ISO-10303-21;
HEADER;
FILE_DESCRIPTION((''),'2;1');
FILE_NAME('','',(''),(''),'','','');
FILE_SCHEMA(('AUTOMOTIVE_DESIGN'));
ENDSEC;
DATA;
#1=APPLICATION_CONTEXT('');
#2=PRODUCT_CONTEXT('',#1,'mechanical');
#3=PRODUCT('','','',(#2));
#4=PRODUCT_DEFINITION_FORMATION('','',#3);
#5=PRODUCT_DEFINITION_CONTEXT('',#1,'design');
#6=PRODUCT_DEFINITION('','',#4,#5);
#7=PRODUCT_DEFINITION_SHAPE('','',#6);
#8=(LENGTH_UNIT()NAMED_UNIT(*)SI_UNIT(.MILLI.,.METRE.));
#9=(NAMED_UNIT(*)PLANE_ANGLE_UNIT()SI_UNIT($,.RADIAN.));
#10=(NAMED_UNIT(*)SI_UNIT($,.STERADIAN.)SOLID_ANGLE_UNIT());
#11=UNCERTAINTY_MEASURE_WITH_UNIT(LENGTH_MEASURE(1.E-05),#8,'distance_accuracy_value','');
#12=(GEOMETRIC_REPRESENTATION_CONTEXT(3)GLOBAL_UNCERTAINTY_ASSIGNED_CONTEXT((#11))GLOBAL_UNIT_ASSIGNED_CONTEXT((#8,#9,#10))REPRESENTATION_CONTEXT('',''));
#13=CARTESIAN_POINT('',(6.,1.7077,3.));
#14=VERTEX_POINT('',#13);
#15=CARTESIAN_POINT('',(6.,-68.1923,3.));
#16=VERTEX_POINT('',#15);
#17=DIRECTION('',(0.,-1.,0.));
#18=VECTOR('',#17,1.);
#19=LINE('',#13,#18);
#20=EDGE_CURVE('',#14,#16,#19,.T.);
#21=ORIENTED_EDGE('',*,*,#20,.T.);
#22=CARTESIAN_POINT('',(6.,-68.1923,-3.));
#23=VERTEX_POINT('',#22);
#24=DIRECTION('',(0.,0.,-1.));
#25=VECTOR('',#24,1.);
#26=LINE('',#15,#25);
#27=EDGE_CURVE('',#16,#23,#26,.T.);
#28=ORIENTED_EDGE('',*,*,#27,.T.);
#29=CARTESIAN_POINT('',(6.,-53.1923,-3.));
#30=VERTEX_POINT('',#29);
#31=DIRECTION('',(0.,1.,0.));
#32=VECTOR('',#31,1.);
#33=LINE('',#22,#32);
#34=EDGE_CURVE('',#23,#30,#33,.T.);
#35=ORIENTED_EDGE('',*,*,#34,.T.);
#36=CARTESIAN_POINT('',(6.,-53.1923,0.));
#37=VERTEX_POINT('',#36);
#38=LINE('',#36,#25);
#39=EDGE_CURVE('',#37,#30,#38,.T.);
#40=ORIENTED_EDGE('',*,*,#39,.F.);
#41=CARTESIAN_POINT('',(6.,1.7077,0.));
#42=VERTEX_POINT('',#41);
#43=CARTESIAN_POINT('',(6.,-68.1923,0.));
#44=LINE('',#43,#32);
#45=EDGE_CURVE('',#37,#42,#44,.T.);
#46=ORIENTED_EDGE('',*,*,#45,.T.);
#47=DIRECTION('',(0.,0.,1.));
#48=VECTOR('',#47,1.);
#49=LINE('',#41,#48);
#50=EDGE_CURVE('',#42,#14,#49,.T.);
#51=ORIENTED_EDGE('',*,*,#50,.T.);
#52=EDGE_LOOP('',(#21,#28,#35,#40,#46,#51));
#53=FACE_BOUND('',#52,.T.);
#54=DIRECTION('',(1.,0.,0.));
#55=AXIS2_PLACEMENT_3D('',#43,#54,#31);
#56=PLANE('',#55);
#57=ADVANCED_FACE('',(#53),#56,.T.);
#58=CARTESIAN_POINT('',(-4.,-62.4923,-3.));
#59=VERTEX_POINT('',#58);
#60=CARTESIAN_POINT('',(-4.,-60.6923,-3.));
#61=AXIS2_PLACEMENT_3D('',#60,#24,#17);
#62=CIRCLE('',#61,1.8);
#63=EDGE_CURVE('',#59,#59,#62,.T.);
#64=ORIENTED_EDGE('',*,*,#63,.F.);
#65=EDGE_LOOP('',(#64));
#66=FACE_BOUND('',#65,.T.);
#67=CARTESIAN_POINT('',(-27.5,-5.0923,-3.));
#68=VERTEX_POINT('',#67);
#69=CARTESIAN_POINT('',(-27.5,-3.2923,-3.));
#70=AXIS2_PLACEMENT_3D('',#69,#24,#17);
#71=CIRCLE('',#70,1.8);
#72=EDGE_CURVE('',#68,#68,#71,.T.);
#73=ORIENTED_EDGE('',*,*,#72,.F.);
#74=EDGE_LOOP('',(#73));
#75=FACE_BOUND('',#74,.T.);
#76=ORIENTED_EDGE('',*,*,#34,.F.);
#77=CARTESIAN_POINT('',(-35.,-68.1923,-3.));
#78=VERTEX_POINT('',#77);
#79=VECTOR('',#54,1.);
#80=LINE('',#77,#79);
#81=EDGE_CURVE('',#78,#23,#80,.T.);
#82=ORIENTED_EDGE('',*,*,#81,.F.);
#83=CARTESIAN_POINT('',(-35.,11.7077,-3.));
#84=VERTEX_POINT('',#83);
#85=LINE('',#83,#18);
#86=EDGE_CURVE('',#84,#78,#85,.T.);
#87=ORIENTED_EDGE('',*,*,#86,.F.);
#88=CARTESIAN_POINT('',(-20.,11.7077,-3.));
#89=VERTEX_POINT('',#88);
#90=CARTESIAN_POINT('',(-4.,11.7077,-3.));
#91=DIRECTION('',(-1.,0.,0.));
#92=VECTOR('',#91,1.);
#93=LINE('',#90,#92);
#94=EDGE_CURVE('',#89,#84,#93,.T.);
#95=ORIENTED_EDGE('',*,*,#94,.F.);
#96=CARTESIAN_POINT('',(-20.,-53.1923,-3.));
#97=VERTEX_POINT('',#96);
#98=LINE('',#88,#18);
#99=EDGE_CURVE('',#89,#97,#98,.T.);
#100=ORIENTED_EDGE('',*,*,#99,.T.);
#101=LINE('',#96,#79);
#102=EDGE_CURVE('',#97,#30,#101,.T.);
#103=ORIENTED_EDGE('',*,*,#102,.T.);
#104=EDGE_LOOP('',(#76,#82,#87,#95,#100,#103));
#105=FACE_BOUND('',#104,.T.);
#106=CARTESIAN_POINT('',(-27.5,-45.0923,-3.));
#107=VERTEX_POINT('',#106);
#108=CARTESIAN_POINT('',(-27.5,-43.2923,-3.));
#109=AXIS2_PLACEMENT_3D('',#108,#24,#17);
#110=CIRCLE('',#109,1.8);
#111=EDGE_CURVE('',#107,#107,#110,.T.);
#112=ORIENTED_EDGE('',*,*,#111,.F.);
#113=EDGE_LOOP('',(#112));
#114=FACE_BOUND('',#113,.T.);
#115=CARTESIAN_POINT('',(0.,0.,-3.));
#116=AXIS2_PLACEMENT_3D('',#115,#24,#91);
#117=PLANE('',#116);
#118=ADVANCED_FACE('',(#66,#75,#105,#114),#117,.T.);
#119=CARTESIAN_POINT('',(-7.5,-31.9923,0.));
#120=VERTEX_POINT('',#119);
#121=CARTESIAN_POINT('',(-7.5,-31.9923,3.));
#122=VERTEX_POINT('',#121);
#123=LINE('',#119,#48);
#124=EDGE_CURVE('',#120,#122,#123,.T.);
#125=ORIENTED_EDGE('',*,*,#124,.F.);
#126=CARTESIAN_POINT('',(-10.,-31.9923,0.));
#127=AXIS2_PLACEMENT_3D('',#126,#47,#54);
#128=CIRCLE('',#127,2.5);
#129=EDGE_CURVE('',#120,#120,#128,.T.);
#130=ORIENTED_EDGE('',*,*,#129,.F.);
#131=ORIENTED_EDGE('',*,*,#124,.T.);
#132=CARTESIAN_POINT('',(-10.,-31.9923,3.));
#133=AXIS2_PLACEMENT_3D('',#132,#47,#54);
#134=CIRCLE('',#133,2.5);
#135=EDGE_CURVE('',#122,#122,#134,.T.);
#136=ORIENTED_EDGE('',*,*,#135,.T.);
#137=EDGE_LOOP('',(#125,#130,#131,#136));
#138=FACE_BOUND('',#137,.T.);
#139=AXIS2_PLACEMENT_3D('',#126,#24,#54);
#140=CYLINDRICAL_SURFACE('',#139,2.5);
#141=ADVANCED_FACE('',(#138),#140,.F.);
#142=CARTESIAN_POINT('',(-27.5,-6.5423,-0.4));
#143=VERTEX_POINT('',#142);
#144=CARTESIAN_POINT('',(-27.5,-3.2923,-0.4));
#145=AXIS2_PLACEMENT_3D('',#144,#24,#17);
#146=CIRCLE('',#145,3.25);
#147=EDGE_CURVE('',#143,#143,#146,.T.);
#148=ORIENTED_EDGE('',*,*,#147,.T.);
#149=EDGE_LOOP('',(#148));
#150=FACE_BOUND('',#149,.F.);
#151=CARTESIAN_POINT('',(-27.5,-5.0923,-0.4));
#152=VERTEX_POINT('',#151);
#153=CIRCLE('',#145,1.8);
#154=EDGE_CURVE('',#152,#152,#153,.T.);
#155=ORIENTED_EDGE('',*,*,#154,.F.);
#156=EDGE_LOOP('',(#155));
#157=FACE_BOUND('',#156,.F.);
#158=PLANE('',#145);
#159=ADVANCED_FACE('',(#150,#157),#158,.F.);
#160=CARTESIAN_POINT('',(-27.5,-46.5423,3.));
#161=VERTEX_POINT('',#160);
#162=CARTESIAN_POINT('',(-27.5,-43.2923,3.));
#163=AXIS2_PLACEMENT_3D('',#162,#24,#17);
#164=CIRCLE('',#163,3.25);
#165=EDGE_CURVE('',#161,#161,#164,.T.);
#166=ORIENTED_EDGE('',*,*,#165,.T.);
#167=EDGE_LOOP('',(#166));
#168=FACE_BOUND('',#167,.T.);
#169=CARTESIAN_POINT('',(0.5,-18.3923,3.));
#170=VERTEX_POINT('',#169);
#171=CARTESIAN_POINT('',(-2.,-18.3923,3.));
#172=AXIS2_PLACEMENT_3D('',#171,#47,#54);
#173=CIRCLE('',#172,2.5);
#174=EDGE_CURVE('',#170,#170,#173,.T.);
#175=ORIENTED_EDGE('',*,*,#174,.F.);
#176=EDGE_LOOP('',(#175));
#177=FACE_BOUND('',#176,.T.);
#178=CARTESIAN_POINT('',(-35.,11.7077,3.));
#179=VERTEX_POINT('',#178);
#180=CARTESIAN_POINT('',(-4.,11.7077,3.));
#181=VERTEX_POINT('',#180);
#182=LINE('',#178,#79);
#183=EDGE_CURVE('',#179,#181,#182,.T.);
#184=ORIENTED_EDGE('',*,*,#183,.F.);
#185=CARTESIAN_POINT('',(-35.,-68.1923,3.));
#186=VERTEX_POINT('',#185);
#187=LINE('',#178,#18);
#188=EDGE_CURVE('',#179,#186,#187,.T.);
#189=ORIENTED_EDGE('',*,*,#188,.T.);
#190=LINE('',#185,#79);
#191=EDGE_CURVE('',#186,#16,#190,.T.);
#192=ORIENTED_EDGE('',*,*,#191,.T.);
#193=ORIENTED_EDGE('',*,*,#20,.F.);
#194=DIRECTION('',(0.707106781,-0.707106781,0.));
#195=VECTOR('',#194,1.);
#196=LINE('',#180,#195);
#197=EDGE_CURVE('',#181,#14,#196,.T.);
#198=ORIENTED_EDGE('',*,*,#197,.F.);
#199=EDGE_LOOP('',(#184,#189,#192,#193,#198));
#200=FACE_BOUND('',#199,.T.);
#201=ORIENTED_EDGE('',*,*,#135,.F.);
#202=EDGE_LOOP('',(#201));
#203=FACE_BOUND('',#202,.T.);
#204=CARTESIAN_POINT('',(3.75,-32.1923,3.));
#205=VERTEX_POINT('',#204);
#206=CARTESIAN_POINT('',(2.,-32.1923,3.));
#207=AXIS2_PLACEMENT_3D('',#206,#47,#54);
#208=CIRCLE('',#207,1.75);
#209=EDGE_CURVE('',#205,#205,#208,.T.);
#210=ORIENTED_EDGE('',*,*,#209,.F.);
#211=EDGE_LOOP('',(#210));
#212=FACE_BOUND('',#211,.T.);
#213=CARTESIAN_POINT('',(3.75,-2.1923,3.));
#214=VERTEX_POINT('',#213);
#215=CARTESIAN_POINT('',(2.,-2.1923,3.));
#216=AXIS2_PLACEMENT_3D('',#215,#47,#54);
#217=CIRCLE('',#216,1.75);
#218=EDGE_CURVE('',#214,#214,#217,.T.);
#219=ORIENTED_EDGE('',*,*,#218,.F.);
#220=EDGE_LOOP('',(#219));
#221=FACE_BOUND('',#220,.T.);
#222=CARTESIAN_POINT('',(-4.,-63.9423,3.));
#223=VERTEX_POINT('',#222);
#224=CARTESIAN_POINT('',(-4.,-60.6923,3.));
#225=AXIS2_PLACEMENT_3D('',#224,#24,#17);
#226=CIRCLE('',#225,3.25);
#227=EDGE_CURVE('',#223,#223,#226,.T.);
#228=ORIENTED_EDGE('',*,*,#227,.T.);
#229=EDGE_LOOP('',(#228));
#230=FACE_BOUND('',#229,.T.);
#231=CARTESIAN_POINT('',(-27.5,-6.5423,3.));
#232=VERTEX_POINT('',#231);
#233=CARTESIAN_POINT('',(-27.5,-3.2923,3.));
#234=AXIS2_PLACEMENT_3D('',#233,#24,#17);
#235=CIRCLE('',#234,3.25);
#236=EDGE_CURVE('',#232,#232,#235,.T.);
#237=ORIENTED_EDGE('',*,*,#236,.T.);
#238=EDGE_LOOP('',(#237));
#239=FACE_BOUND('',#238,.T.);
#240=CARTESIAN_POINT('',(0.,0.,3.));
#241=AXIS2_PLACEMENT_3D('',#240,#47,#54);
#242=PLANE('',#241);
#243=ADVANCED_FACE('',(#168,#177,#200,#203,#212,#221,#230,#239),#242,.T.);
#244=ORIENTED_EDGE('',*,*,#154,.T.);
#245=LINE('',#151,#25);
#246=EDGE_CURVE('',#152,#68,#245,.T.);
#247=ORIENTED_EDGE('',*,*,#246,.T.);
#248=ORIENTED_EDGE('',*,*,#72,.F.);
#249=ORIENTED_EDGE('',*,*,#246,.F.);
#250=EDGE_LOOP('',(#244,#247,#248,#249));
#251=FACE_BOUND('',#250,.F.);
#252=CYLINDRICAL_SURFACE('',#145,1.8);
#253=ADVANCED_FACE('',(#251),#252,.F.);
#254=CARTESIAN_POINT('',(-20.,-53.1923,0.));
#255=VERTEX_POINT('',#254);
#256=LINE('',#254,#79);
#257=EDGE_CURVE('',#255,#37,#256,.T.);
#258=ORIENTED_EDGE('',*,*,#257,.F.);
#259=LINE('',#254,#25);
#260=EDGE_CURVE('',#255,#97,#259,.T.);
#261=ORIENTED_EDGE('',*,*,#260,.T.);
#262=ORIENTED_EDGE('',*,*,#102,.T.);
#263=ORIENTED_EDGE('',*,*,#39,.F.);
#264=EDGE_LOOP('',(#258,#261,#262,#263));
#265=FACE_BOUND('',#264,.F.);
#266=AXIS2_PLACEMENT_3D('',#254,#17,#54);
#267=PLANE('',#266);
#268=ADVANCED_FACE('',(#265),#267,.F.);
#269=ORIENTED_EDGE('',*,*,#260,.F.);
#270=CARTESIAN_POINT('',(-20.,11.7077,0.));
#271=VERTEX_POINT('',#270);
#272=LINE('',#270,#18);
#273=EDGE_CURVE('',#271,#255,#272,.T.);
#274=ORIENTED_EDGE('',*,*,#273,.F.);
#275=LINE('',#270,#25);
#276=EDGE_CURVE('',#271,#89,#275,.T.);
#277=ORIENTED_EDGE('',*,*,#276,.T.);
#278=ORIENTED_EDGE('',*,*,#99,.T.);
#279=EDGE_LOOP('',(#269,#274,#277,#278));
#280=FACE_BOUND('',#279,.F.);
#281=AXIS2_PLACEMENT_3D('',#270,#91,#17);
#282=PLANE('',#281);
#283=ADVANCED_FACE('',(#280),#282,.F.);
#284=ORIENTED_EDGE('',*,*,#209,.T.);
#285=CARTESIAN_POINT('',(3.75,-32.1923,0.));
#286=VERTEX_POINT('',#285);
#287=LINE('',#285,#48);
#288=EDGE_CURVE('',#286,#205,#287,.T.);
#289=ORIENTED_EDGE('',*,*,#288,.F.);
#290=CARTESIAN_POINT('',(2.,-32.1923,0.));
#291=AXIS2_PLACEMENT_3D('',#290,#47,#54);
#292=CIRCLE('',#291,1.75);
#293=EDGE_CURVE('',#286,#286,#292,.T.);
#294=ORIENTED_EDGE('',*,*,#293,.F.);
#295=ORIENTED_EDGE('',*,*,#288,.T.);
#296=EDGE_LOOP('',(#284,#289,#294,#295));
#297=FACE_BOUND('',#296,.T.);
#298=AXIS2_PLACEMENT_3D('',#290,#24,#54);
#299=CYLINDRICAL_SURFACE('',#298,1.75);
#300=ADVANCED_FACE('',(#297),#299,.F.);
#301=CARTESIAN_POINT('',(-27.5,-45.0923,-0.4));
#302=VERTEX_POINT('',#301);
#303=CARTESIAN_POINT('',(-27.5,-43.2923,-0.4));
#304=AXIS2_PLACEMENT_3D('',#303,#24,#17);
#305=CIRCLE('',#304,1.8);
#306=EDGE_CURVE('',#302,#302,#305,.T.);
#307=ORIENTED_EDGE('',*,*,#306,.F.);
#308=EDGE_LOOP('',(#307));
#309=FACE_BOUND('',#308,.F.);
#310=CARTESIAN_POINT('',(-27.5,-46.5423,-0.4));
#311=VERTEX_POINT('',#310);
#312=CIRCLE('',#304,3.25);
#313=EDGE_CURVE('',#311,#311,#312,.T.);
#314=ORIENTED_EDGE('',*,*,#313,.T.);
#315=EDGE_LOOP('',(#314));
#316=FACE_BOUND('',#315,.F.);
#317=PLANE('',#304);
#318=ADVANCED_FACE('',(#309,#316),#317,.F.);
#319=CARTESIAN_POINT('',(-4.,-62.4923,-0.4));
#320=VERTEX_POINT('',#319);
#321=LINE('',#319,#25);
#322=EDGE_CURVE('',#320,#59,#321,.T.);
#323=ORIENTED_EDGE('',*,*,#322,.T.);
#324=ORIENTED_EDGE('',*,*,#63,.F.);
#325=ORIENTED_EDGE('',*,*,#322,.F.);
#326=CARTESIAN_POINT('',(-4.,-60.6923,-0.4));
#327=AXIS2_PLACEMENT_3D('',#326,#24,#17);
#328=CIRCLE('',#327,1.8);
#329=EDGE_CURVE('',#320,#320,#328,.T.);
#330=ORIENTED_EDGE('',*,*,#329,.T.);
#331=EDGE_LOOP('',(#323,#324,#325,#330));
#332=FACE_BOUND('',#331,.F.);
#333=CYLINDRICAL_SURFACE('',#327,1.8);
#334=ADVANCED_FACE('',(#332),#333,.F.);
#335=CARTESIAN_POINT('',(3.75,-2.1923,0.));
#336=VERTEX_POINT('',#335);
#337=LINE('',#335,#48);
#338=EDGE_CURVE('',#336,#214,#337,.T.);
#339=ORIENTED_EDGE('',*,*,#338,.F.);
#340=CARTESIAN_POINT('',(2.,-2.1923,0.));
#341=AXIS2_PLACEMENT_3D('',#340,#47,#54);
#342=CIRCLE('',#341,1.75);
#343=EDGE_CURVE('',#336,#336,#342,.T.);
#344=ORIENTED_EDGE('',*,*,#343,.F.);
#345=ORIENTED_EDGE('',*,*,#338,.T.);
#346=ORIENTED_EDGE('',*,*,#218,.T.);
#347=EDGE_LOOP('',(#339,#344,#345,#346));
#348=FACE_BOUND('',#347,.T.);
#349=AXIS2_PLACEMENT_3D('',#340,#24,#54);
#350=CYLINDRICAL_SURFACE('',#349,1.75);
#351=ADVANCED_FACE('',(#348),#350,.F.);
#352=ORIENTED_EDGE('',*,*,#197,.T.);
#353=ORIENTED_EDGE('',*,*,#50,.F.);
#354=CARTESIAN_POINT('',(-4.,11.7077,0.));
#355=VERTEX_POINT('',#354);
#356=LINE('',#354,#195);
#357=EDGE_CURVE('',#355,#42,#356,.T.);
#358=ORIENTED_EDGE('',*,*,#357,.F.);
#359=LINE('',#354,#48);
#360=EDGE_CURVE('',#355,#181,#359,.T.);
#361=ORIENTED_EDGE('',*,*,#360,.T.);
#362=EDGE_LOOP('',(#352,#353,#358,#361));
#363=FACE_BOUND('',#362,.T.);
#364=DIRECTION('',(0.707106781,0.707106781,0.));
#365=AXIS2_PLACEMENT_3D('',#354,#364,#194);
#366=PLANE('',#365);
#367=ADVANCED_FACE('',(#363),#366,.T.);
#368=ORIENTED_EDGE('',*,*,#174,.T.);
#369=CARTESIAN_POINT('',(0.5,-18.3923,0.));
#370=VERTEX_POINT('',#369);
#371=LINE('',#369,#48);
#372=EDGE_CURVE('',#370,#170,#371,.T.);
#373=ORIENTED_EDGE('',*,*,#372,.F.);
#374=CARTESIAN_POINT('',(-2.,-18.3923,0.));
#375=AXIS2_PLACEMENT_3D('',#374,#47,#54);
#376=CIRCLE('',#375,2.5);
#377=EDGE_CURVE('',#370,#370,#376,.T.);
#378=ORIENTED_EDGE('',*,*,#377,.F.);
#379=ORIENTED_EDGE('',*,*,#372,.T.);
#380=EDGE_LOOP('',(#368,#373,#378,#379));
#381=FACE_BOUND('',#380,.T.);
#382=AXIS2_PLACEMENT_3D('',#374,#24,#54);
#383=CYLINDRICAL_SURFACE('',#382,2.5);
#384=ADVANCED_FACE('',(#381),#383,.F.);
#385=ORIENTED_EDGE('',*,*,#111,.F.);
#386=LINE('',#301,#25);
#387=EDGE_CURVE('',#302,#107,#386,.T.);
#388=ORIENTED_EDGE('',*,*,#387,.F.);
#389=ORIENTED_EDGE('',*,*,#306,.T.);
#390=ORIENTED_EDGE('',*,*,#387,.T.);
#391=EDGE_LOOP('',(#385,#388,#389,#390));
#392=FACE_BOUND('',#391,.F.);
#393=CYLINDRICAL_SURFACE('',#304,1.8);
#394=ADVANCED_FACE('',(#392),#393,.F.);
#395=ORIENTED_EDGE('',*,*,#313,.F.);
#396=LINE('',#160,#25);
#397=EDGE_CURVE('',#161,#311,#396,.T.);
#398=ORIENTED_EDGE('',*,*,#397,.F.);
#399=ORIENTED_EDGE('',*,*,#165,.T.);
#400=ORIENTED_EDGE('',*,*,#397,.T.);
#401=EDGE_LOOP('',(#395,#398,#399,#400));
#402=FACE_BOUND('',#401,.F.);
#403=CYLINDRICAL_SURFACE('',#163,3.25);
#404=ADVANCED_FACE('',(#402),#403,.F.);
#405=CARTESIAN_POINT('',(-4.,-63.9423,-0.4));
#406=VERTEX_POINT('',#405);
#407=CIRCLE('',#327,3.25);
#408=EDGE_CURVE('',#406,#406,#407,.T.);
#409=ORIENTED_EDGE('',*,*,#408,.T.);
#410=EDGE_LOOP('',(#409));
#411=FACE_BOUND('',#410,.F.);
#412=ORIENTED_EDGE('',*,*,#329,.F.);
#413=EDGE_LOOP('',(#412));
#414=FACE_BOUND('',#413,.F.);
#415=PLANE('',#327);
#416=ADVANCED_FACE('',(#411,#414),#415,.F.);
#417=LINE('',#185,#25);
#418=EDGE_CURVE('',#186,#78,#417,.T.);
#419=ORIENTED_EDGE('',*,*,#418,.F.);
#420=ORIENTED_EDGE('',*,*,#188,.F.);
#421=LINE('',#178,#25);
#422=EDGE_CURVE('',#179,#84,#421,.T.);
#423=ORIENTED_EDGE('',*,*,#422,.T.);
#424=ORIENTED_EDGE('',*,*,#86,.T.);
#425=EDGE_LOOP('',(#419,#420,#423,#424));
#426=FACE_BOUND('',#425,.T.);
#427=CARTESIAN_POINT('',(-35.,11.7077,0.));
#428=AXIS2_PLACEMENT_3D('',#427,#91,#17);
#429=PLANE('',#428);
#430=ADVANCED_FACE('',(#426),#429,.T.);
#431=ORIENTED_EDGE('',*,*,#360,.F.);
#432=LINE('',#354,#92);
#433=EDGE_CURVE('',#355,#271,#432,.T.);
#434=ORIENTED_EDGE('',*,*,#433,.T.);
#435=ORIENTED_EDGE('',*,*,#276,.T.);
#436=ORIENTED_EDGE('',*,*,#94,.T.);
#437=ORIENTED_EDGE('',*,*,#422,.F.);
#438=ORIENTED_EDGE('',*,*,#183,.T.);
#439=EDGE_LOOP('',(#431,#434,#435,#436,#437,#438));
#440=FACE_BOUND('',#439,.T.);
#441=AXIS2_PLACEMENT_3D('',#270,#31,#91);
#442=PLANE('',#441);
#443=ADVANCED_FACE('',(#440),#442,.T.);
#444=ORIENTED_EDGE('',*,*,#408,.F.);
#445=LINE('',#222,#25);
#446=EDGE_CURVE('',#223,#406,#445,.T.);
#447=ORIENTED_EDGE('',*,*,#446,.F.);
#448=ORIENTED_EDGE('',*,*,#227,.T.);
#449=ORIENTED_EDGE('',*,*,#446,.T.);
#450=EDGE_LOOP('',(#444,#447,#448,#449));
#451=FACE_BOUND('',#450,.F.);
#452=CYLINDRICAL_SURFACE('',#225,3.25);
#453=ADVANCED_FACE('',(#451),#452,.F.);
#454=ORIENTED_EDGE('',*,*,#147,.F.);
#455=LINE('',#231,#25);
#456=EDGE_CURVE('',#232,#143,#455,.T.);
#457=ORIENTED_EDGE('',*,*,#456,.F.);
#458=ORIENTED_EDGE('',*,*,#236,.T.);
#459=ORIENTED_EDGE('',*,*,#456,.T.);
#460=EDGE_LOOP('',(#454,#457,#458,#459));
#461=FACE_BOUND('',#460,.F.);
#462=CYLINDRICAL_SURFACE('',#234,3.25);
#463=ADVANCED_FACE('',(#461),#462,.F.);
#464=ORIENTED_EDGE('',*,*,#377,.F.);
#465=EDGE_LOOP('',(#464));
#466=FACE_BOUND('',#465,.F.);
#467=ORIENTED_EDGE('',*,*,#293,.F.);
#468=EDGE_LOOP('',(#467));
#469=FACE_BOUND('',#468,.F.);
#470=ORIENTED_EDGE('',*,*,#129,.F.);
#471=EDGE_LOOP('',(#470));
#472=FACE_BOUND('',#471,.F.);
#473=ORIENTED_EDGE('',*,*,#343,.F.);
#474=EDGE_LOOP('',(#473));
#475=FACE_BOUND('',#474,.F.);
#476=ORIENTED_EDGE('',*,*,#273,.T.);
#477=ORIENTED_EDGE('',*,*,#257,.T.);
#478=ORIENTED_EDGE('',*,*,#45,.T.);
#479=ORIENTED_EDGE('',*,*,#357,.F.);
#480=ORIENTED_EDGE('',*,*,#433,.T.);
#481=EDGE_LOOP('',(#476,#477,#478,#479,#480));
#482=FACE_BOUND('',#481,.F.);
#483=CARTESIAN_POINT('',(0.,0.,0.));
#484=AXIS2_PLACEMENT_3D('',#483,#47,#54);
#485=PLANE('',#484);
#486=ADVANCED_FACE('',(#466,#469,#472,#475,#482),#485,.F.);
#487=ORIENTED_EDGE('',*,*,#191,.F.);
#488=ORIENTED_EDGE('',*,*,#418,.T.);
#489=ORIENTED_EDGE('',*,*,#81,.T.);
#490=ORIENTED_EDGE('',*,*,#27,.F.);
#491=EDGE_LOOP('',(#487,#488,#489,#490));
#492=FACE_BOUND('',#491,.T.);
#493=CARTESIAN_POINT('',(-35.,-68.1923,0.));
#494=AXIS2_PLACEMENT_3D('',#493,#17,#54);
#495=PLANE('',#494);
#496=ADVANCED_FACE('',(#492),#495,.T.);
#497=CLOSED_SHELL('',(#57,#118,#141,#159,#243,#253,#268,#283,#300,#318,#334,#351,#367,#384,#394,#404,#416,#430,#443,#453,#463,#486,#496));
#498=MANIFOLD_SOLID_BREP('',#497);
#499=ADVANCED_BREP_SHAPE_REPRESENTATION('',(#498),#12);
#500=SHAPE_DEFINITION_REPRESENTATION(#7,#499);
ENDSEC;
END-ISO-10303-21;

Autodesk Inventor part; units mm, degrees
ref_plane "YZ Plane" through (0, 0, 0) normal (1, 0, 0) x (0, 1, 0)
ref_plane "XZ Plane" through (0, 0, 0) normal (0, 1, 0) x (-1, 0, 0)
ref_plane "XY Plane" through (0, 0, 0) normal (0, 0, 1) x (1, 0, 0)
sketch "Sketch1" plane through (0, 0, 0) normal (0, 0, 1) x (1, 0, 0)
  line L0 (-4, 11.7077) -> (6, 1.7077)
  line L1 (-4, 11.7077) -> (-5, 11.7077)
  arc A0 (-5, 11.7077) -> (-6, 10.7077) centre (-5, 10.7077) ccw
  line L2 (-6, 10.7077) -> (-6, -9.2784)
  arc A1 (-6, -9.2784) -> (-4.6842, -10.2272) centre (-5, -9.2784) ccw
  arc A2 (3.1184, -11.5061) -> (-4.6842, -10.2272) centre (-2, -18.2923) ccw
  arc A3 (3.1184, -11.5061) -> (3.7205, -11.7077) centre (3.7205, -10.7077) ccw
  line L3 (3.7205, -11.7077) -> (5, -11.7077)
  arc A4 (5, -11.7077) -> (6, -10.7077) centre (5, -10.7077) ccw
  line L4 (6, -10.7077) -> (6, 1.7077)
  arc A5 (5, -36.8923) -> (6, -35.8923) centre (5, -35.8923) ccw
  line L5 (6, -35.8923) -> (6, -27.7923)
  arc A6 (6, -27.7923) -> (5, -26.7923) centre (5, -27.7923) ccw
  line L6 (5, -26.7923) -> (-1.4303, -26.7923)
  arc A7 (-1.4303, -26.7923) -> (-2.3324, -28.2239) centre (-1.4303, -27.7923) ccw
  arc A8 (-2.2902, -35.4712) -> (-2.3324, -28.2239) centre (-10, -31.8923) ccw
  arc A9 (-2.2902, -35.4712) -> (-1.3832, -36.8923) centre (-1.3832, -35.8923) ccw
  line L7 (-1.3832, -36.8923) -> (5, -36.8923)
  line L8 (6, -53.1923) -> (6, -35.8923)
  line L9 (6, -27.7923) -> (6, -10.7077)
  line L10 (-5, 11.7077) -> (-20, 11.7077)
  line L11 (-20, 11.7077) -> (-35, 11.7077)
  line L12 (6, -68.1923) -> (6, -53.1923)
  line L13 (-35, 306.8077) -> (-35, -53.1923)
  line L14 (-35, -68.1923) -> (-35, -53.1923)
  line L15 (-20, -68.1923) -> (-35, -68.1923)
  line L16 (480, -68.1923) -> (-20, -68.1923)
  circle A10 centre (2, -2.1923) radius 1.4
  circle A11 centre (2, -32.1923) radius 1.4
  circle A12 centre (2, -2.1923) radius 1.75
  circle A13 centre (2, -32.1923) radius 1.75
  circle A14 centre (-10, -31.9923) radius 2.5
  circle A15 centre (-2, -18.3923) radius 2.5
  point P0 (0, 0)
  dimension "d18" = 3.5
extrude "Extrusion1" add sketch "Sketch1" along normal blind 3 contours L0 L4 A4 L3 A3 A2 A1 L2 A0 L1 | A0 L2 A1 A2 A3 L3 A4 L9 A6 L6 A7 A8 A9 L7 A5 L8 L12 L16 L15 L14 L13 L11 L10 | L5 A5 L7 A9 A8 A7 L6 A6
sketch "Sketch2" plane through (0, 0, 0) normal (0, 0, -1) x (-1, 0, 0)
  line L0 (-6, -68.1923) -> (-6, 1.7077)
  line L1 (35, -68.1923) -> (-6, -68.1923)
  line L2 (35, 11.7077) -> (35, -68.1923)
  line L3 (4, 11.7077) -> (35, 11.7077)
  line L4 (-6, 1.7077) -> (4, 11.7077)
  line L5 (20, 11.7077) -> (20, -53.1923)
  line L6 (20, -53.1923) -> (-6, -53.1923)
  line L7 (-6, -68.1923) -> (-6, 1.7077)
  point P0 (0, 0)
  point P1 (7, -53.1923)
  dimension "d2" = 15
  dimension "d3" = 15
extrude "Extrusion2" add sketch "Sketch2" along normal blind 3 contours L0 L6 L5 L3 L2 L1
sketch "Sketch3" plane through (0, 0, 3) normal (0, 0, 1) x (1, 0, 0)
  line L0 (6, -68.1923) -> (6, 1.7077)
  line L1 (6, 1.7077) -> (-4, 11.7077)
  line L2 (-4, 11.7077) -> (-35, 11.7077)
  line L3 (-35, 11.7077) -> (-35, -68.1923)
  line L4 (-35, -68.1923) -> (6, -68.1923)
  circle A0 centre (2, -2.2923) radius 1.4
  circle A1 centre (2, -32.2923) radius 1.4
  point P0 (0, 0)
  point P1 (-27.5, -3.2923)
  point P2 (-27.5, -43.2923)
  point P3 (-4, -60.6923)
  dimension "d6" = 7.5
  dimension "d7" = 10
  dimension "d8" = 7.5
  dimension "d9" = 15
  dimension "d10" = 40
hole "Hole1" at (-27.5, -3.2923, 3) at (-27.5, -43.2923, 3) at (-4, -60.6923, 3) direction (0, 0, -1) diameter 3.6 end through all counterbore diameter 6.5 counterbore depth 3.4
equation "\"d3\" = d2"
equation "\"d8\" = d6"
properties part number "Alpha Idler Top" material "ABS Plastic"
